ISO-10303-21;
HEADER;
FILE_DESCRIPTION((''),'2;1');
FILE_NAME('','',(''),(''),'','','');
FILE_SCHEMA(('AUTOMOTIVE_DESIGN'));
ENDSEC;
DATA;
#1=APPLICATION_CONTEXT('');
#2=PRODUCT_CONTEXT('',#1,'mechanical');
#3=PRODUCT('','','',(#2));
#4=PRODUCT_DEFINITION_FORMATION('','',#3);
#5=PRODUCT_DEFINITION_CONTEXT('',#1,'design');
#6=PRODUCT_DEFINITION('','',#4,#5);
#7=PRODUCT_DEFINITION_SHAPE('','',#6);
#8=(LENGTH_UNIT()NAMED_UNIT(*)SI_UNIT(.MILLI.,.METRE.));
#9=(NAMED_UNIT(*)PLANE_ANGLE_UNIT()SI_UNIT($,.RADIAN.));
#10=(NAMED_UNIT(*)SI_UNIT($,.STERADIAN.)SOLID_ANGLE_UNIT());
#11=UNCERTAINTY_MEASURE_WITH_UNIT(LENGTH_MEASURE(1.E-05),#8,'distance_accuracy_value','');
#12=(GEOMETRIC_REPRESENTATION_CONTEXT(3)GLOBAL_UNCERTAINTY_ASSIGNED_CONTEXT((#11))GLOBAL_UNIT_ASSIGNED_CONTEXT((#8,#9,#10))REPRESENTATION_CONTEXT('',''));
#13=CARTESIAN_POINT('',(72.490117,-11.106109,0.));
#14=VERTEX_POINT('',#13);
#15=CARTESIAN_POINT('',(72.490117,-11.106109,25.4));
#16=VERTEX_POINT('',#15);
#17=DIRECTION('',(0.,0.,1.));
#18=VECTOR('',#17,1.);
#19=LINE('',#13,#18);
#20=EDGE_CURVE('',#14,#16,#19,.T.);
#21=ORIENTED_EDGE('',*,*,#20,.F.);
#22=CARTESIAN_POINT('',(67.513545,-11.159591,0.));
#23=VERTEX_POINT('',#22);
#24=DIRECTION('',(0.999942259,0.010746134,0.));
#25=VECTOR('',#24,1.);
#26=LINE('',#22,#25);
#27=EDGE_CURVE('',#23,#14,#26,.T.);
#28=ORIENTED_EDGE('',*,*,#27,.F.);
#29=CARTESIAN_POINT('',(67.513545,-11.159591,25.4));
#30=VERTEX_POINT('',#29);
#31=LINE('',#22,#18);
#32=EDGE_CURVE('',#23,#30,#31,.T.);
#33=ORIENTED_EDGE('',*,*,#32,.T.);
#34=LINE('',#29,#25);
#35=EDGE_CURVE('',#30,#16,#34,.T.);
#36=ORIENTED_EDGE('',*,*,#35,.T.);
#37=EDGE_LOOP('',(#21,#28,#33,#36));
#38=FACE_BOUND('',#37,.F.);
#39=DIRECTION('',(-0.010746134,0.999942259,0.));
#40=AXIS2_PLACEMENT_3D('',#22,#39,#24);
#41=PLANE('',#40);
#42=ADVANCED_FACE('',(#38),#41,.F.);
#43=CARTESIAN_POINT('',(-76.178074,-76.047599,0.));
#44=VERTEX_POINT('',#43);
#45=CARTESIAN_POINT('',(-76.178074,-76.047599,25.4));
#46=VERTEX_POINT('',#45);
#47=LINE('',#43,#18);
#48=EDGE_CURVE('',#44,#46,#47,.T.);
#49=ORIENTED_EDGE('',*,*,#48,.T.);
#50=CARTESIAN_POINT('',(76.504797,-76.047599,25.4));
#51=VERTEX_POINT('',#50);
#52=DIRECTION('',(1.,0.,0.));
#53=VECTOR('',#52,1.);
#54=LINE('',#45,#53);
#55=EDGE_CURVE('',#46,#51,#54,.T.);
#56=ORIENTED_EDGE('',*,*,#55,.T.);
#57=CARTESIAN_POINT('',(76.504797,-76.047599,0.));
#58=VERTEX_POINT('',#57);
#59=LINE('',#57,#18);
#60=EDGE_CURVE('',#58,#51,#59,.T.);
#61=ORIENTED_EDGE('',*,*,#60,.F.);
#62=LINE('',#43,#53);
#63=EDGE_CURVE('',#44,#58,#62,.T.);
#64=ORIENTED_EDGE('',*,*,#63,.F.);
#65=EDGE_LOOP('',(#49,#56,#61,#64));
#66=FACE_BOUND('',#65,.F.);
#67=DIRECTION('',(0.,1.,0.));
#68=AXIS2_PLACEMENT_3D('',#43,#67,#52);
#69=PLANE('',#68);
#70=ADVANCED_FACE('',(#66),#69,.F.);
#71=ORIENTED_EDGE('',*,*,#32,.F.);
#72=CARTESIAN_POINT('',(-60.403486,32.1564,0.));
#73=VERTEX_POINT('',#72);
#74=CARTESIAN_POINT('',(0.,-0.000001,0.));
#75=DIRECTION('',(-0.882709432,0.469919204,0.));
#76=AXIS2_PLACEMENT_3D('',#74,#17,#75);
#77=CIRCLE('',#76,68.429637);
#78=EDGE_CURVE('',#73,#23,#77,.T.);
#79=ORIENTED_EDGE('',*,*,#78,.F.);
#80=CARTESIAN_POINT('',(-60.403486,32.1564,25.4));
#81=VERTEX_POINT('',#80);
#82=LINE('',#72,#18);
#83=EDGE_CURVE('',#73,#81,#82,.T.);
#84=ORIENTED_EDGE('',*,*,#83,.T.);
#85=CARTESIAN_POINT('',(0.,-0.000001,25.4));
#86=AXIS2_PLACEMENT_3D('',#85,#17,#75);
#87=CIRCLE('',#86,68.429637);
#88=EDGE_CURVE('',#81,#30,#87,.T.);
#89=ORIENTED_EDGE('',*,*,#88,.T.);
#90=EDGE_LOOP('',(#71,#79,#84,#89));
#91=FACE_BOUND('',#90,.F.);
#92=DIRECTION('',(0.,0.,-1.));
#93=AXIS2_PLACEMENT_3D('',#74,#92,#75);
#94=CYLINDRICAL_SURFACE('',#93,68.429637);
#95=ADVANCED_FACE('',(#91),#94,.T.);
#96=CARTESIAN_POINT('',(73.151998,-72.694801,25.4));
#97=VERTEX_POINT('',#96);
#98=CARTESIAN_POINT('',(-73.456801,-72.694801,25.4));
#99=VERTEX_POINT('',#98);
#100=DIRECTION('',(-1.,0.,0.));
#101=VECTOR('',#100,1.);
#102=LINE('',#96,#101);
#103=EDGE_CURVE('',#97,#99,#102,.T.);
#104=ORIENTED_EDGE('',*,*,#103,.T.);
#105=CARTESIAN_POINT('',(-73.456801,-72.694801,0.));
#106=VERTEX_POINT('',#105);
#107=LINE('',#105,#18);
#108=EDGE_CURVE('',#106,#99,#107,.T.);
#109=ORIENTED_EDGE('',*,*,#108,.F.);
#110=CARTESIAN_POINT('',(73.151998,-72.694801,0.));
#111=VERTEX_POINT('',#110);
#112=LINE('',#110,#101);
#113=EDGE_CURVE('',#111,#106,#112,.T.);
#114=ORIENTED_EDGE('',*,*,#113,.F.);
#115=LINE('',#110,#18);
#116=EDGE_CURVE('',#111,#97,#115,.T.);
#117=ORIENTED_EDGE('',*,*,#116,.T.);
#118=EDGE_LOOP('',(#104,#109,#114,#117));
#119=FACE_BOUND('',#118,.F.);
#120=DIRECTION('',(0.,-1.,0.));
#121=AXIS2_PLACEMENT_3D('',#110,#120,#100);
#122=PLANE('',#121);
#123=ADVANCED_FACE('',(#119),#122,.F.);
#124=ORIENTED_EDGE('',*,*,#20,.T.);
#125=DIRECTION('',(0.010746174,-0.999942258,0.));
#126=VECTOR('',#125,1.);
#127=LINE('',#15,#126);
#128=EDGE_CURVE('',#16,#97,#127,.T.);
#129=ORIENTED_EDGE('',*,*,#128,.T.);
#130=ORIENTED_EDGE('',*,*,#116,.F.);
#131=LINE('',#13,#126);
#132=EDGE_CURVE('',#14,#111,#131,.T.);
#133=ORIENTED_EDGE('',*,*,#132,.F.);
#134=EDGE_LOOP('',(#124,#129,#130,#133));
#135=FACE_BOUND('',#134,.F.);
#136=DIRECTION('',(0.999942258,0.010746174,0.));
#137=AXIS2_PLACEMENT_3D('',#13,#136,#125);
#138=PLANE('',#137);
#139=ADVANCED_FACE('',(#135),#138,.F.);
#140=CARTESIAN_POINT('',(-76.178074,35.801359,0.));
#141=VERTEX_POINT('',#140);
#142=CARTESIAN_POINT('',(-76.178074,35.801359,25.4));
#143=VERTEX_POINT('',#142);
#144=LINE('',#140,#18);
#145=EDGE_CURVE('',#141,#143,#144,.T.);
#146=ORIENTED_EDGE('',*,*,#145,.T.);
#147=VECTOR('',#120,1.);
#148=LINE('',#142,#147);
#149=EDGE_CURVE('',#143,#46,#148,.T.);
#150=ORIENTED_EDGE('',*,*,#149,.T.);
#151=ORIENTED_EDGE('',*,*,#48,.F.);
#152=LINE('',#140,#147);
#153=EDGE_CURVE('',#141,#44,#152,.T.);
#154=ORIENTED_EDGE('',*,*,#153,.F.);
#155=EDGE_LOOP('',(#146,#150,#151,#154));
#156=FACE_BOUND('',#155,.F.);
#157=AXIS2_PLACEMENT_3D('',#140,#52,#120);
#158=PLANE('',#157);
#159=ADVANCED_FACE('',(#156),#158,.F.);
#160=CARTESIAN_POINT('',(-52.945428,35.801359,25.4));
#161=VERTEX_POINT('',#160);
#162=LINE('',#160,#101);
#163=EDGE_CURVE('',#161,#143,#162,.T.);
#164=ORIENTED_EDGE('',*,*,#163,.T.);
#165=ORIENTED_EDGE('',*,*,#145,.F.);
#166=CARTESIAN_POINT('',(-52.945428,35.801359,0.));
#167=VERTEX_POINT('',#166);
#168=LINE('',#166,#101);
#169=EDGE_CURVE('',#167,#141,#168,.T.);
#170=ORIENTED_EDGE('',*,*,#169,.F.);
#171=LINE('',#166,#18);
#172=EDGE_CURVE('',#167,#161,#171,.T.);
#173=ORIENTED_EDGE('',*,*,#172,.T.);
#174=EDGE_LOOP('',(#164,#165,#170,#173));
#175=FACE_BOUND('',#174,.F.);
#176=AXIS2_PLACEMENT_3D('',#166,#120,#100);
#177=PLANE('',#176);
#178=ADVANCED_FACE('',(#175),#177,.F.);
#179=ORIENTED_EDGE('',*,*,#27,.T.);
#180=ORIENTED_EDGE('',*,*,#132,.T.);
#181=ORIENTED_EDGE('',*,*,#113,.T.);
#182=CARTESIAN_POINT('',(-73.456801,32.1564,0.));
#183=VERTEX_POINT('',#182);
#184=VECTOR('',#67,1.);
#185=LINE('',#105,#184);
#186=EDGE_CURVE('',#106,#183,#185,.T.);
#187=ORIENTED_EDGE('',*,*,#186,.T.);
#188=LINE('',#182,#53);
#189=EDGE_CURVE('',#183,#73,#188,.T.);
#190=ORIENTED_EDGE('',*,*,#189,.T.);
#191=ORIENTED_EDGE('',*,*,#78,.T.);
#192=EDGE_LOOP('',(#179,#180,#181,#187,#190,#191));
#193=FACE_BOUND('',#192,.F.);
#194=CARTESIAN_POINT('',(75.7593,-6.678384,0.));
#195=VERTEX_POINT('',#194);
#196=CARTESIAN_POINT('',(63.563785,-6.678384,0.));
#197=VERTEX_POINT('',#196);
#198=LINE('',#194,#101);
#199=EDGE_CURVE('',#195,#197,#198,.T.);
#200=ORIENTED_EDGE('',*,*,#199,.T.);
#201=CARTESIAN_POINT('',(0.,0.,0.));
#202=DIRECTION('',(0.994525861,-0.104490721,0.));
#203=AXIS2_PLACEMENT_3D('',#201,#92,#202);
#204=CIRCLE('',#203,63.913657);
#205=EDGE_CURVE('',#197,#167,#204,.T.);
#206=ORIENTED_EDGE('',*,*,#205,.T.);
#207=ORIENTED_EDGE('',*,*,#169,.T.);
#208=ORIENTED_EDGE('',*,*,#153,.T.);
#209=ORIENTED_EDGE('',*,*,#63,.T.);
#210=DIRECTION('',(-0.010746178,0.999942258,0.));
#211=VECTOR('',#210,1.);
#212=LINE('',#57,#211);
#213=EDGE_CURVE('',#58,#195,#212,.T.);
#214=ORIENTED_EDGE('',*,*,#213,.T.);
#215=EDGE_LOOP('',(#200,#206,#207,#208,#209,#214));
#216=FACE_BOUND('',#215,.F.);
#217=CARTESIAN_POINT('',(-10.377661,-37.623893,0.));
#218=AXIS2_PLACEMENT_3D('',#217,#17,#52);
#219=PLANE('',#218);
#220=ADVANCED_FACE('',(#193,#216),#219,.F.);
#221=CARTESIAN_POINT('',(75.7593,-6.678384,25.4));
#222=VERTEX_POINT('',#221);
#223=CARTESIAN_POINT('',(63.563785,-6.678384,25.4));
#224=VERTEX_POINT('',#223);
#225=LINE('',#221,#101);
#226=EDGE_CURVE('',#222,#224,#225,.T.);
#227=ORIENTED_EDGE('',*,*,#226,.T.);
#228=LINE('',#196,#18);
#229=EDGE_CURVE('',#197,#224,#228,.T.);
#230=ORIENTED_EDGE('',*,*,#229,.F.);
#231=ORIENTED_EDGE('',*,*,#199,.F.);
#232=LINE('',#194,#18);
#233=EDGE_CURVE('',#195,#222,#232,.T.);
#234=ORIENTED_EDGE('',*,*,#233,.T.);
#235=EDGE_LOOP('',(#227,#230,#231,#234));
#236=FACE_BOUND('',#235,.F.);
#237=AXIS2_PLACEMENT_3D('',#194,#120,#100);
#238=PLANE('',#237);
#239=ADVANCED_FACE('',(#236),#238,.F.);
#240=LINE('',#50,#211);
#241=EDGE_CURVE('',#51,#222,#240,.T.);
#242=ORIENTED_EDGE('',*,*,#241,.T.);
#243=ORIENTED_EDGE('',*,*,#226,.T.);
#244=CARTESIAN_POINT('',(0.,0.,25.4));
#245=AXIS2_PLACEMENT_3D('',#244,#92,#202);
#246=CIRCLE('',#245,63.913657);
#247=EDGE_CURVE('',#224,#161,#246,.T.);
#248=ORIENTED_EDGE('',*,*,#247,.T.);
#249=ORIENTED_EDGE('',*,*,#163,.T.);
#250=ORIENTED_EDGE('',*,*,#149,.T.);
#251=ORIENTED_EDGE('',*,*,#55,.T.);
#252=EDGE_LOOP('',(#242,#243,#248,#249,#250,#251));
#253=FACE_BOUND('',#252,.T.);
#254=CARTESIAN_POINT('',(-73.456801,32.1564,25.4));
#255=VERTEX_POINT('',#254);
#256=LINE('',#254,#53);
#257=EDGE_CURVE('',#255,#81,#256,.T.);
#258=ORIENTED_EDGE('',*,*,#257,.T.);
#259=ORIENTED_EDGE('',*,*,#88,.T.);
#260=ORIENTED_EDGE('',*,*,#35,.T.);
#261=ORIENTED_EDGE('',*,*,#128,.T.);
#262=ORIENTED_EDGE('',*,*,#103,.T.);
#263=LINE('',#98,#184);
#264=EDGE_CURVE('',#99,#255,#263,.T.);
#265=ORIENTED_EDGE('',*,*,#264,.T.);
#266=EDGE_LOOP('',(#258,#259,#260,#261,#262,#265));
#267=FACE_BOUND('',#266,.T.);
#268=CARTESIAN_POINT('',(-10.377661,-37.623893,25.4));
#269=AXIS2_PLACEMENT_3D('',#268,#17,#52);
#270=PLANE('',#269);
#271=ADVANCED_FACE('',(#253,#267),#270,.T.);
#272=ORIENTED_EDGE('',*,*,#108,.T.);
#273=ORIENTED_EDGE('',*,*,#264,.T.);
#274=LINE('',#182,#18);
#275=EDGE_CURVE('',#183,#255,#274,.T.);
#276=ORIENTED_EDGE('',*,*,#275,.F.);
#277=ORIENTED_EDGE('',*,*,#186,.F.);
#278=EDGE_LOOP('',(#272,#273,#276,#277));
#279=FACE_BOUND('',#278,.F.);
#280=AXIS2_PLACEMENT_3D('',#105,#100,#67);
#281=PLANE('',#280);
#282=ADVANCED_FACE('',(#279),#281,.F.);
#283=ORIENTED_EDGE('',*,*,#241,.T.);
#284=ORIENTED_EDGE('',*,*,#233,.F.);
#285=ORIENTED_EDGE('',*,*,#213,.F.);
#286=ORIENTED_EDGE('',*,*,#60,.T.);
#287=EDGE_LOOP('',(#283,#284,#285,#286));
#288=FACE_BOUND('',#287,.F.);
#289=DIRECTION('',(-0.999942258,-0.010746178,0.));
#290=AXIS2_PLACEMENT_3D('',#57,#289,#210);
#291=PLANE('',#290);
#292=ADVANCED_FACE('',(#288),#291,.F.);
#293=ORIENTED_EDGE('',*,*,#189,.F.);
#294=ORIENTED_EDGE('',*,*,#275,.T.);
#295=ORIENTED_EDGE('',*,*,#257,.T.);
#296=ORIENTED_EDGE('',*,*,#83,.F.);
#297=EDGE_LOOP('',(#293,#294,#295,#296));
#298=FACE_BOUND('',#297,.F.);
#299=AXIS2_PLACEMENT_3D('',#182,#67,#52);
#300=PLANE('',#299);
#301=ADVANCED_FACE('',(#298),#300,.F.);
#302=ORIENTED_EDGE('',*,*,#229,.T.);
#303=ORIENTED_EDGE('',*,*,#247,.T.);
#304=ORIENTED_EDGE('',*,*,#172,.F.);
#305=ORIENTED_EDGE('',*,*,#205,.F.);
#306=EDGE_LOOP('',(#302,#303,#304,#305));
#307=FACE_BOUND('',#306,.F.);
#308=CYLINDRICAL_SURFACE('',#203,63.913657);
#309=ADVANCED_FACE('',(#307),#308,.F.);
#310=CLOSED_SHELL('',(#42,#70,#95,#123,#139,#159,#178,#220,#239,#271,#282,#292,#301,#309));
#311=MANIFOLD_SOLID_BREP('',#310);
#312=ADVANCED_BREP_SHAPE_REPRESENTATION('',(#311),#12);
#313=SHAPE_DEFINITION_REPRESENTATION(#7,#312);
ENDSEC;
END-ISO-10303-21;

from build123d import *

# Parameters (mm, degrees)
F1_DEPTH = 25.4


with BuildPart() as f1:
    # F0 (on Top) → F1 (new body)
    with BuildSketch(Plane.XY):
        with BuildLine():
            ThreePointArc((63.563785, -6.678384), (-21.893367, -60.046949), (-52.945428, 35.801359))
            Line((-52.945428, 35.801359), (-76.178074, 35.801359))
            Line((-76.178074, 35.801359), (-76.178074, -76.047599))
            Line((-76.178074, -76.047599), (76.504797, -76.047599))
            Line((76.504797, -76.047599), (75.7593, -6.678384))
            Line((75.7593, -6.678384), (63.563785, -6.678384))
        make_face()
        with BuildLine():
            Line((-73.456801, -72.694801), (-73.456801, 32.1564))
            Line((-73.456801, 32.1564), (-60.403486, 32.1564))
            ThreePointArc((-60.403486, 32.1564), (-21.947825, -64.814414), (67.513545, -11.159591))
            Line((67.513545, -11.159591), (72.490117, -11.106109))
            Line((72.490117, -11.106109), (73.151998, -72.694801))
            Line((73.151998, -72.694801), (-73.456801, -72.694801))
        make_face(mode=Mode.SUBTRACT)
    extrude(amount=F1_DEPTH)


solid = f1.part
